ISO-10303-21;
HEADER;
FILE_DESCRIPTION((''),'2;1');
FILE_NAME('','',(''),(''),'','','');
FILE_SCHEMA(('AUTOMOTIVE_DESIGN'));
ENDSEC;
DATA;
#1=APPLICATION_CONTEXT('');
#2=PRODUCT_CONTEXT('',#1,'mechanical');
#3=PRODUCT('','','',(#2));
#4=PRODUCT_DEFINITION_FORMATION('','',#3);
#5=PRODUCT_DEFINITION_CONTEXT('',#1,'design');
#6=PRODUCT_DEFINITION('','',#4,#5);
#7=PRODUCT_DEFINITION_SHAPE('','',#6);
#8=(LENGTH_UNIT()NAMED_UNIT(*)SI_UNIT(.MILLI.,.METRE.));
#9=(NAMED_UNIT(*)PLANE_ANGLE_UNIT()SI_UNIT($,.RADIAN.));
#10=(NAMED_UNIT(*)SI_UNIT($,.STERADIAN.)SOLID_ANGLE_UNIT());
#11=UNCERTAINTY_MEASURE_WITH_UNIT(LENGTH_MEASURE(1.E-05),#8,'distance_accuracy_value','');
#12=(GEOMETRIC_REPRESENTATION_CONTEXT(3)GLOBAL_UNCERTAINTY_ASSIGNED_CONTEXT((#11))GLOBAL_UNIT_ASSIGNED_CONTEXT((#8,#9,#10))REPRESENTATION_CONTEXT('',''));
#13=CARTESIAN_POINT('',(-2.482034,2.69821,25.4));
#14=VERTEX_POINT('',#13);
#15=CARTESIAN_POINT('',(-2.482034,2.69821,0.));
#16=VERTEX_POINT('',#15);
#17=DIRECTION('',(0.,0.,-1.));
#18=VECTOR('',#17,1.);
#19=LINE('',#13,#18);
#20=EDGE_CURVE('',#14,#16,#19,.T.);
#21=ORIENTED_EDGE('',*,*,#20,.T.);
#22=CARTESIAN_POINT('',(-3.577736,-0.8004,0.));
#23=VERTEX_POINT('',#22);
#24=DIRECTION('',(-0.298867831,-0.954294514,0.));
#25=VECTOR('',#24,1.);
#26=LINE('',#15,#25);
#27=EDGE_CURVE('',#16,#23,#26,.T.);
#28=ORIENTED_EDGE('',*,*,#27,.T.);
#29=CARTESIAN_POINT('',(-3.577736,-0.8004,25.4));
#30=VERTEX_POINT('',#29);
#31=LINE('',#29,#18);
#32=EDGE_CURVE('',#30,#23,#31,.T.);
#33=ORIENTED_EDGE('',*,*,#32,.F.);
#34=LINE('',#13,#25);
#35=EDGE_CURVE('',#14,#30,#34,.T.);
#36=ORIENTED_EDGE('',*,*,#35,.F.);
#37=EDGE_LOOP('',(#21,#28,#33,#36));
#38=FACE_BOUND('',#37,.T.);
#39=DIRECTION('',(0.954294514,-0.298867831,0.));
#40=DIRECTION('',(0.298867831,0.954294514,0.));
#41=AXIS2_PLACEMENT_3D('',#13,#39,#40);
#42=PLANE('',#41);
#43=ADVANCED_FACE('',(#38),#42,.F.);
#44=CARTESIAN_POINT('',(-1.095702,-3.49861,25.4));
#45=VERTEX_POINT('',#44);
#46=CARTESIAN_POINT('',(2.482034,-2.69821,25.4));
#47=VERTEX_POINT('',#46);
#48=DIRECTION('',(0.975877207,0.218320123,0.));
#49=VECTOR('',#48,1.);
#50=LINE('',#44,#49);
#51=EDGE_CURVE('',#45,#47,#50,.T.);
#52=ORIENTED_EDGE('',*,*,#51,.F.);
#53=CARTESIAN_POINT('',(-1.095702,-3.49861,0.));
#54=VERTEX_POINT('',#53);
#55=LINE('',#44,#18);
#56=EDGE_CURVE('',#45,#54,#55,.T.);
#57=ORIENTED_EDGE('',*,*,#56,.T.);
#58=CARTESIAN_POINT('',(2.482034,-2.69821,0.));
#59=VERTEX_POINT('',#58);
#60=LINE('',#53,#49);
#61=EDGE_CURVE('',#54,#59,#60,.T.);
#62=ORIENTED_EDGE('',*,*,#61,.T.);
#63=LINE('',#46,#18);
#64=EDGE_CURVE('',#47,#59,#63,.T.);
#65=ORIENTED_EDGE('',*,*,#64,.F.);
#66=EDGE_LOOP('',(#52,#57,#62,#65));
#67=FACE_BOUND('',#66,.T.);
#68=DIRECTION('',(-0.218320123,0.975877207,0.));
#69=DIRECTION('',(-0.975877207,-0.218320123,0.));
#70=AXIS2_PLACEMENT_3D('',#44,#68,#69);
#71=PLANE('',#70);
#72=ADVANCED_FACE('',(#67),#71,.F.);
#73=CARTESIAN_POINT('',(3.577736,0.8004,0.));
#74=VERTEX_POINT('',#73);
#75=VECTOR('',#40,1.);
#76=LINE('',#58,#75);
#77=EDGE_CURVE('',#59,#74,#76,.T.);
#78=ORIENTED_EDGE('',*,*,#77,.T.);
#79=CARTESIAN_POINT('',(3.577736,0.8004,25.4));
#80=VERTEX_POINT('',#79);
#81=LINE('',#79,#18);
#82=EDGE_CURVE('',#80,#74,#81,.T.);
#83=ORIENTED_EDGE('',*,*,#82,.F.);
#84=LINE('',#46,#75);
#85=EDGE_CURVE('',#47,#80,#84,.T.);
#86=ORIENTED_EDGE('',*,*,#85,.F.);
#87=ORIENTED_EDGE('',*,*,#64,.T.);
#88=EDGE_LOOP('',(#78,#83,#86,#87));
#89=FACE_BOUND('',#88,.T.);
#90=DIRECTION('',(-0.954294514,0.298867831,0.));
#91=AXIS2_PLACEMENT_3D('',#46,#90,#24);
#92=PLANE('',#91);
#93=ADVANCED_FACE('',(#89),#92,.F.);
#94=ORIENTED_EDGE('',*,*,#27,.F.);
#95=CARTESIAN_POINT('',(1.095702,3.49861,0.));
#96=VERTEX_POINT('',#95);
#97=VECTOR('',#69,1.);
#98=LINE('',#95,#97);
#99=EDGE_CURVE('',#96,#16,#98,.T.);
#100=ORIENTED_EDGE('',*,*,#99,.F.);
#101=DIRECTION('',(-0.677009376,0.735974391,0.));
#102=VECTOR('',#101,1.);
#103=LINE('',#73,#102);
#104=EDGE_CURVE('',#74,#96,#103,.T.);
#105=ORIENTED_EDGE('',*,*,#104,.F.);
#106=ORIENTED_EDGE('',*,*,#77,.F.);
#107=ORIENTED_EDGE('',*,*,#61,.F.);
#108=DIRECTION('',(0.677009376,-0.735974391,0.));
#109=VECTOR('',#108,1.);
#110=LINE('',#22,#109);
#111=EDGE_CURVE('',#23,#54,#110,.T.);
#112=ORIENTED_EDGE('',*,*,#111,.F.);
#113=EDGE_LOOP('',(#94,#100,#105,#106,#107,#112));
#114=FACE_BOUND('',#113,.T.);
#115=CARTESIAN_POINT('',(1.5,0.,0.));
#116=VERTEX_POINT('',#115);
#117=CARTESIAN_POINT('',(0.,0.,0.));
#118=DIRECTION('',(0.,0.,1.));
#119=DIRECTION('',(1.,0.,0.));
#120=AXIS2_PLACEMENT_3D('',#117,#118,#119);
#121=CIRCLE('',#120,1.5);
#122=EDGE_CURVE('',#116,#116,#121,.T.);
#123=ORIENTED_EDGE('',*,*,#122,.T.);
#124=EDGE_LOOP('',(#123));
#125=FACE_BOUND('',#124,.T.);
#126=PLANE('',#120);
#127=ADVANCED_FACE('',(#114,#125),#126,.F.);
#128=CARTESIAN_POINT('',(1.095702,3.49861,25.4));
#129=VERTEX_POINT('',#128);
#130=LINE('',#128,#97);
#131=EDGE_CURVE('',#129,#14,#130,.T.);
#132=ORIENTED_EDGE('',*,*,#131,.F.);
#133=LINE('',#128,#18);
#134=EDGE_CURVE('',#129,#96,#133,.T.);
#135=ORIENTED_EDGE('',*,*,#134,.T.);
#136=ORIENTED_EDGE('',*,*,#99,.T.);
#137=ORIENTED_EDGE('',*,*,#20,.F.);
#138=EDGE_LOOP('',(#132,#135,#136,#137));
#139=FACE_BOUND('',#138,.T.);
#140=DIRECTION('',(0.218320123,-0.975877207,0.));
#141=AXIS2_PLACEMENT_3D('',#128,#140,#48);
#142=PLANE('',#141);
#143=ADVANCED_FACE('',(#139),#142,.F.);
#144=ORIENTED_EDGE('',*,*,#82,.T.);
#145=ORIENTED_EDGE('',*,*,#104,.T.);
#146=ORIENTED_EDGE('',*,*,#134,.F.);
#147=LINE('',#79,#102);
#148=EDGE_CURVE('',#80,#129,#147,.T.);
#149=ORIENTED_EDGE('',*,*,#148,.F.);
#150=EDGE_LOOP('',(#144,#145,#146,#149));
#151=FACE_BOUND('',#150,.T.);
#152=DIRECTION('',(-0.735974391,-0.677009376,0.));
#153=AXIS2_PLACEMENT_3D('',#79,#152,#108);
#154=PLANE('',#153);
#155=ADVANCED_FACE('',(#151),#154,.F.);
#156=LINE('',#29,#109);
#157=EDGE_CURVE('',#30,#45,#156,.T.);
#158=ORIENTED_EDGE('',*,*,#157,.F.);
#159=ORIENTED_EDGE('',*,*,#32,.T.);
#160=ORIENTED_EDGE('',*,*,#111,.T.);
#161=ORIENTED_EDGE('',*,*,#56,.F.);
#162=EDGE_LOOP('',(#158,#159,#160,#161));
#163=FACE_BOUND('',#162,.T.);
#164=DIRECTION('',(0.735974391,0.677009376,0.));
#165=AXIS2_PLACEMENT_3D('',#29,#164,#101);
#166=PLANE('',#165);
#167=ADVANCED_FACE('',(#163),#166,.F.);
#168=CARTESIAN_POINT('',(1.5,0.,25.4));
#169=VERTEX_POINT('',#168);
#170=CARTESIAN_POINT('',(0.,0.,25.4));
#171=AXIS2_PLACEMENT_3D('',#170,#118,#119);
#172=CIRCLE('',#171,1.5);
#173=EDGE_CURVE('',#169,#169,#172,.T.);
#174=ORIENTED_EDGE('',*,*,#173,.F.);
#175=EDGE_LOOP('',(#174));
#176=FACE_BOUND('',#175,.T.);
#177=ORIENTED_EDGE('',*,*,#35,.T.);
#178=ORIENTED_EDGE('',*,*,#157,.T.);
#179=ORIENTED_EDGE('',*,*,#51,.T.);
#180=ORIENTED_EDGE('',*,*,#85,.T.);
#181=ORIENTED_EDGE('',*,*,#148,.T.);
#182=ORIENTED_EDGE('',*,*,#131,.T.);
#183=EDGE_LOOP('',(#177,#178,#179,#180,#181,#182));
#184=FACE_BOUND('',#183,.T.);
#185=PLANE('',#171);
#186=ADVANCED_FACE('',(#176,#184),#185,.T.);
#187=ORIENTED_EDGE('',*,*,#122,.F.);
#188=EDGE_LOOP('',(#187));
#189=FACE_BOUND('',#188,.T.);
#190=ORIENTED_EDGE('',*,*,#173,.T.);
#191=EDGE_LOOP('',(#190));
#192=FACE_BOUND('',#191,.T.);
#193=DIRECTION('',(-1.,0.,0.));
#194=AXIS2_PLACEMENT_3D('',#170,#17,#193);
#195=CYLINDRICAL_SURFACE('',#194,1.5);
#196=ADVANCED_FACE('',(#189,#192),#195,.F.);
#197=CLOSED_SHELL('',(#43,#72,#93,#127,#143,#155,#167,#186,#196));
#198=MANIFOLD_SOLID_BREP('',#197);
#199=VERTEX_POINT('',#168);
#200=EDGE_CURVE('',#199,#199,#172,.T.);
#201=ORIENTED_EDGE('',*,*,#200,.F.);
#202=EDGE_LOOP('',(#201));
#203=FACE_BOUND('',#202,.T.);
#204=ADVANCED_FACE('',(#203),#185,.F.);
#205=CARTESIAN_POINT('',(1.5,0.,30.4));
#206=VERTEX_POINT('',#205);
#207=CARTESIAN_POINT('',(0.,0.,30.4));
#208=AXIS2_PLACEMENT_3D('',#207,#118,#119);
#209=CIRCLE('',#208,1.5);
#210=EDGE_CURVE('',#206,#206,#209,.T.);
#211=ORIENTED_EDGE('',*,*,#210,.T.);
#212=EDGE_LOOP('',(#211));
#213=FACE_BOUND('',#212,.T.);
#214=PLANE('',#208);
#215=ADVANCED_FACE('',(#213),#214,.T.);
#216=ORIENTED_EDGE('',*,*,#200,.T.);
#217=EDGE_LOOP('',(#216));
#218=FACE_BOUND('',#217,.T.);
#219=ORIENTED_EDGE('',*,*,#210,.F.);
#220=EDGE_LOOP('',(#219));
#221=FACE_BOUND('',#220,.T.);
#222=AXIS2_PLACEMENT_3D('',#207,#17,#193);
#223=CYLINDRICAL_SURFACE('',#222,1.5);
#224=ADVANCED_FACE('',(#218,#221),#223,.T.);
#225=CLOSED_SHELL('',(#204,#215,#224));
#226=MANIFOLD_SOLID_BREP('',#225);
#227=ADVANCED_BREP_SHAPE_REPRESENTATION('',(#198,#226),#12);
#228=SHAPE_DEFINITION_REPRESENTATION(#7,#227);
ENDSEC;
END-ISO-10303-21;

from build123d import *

# Parameters (mm, degrees)
SKETCH1_R           = 1.5
BOSS_EXTRUDE1_DEPTH = 25.4
SKETCH2_R           = 1.5
BOSS_EXTRUDE2_DEPTH = 5


with BuildPart() as part:
    # Sketch1 → Boss-Extrude1 (new body)
    with BuildSketch(Plane.XY):
        Polygon((2.482034315, -2.698210331), (3.577735849, 0.800399604), (1.095701534, 3.498609936), (-2.482034315, 2.698210331), (-3.577735849, -0.800399604), (-1.095701534, -3.498609936), align=None)
        Circle(SKETCH1_R, mode=Mode.SUBTRACT)
    extrude(amount=BOSS_EXTRUDE1_DEPTH)


with BuildPart() as body_2:
    # Sketch2 → Boss-Extrude2 (new body)
    with BuildSketch(Plane.XY.offset(25.4)):
        Circle(SKETCH2_R)
    extrude(amount=BOSS_EXTRUDE2_DEPTH)


solid = Compound([part.part, body_2.part])
